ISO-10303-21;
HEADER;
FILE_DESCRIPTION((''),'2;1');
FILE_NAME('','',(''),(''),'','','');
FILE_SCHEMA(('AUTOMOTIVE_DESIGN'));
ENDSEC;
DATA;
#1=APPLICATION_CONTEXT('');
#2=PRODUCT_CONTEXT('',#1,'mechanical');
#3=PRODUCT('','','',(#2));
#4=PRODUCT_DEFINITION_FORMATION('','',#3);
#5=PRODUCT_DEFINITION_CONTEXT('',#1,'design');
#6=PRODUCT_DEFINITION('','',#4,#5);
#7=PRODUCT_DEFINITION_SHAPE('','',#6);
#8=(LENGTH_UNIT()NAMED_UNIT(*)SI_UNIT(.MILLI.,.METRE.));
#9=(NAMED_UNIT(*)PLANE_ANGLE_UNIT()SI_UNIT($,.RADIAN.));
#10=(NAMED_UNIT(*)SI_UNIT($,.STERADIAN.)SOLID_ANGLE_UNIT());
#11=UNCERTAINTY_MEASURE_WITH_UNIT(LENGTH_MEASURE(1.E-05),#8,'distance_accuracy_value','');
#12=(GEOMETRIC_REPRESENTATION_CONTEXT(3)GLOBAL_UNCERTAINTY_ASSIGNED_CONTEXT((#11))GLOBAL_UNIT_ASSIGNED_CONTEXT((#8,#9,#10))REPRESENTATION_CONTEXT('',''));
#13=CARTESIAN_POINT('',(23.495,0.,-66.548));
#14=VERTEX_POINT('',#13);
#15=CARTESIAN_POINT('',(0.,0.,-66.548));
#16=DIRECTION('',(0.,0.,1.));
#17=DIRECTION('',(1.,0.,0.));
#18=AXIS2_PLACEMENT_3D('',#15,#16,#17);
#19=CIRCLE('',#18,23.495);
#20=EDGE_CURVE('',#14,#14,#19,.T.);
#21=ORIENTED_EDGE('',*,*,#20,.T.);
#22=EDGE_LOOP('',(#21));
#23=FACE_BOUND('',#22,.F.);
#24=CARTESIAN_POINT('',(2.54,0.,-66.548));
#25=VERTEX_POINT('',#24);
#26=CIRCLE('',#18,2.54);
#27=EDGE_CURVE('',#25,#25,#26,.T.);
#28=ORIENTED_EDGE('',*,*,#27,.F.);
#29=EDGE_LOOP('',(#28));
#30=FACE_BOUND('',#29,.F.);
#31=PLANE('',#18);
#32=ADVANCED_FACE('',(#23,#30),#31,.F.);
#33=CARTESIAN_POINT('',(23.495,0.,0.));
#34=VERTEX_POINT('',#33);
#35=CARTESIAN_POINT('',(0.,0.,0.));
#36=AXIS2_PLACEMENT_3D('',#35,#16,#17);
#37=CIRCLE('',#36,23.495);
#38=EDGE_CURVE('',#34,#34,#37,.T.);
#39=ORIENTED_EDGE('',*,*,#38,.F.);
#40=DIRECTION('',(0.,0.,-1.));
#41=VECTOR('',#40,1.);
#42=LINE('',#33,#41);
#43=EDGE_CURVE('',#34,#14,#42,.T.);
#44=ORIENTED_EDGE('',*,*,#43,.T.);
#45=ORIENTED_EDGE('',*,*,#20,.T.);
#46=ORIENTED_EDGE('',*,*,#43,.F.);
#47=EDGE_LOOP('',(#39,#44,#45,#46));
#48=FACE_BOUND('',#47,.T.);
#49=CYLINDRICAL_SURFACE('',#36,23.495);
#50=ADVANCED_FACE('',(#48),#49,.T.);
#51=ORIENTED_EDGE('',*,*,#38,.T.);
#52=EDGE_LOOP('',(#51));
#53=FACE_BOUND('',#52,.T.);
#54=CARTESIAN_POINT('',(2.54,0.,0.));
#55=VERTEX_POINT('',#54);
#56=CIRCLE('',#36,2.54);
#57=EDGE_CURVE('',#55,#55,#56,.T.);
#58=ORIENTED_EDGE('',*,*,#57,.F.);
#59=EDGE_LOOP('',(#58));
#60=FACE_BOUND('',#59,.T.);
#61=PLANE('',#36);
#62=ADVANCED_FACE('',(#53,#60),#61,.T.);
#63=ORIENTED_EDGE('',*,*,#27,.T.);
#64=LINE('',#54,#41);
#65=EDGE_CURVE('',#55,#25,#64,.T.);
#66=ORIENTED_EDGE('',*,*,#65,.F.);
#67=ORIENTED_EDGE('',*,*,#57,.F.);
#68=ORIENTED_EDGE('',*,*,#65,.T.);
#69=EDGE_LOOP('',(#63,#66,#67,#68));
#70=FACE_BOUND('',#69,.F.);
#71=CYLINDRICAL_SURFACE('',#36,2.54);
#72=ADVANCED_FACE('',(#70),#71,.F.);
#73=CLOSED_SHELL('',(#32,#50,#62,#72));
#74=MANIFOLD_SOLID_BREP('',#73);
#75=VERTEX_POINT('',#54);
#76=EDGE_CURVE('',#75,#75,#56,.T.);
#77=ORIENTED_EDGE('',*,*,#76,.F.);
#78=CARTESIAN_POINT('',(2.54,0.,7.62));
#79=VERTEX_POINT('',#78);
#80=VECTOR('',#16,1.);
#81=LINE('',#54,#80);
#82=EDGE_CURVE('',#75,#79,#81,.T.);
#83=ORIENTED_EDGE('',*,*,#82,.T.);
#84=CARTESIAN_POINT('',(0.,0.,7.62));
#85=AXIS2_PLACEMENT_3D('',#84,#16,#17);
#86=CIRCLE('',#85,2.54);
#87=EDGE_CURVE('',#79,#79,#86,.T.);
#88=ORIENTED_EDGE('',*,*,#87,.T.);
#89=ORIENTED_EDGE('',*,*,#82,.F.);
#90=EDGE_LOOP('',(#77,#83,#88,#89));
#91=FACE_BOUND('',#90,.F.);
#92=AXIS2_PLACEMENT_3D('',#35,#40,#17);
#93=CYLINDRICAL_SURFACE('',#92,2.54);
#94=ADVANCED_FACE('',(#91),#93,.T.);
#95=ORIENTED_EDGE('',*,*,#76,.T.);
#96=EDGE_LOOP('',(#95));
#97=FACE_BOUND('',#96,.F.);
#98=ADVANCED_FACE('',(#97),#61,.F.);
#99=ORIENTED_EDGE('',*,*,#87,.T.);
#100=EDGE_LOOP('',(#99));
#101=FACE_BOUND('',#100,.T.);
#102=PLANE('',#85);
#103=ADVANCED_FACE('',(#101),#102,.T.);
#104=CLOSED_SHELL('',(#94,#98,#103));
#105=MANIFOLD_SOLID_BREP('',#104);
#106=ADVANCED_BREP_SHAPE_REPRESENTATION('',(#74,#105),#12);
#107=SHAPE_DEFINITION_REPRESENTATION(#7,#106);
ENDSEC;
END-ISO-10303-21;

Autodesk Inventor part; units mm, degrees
ref_plane "YZ Plane" through (0, 0, 0) normal (1, 0, 0) x (0, 1, 0)
ref_plane "XZ Plane" through (0, 0, 0) normal (0, 1, 0) x (-1, 0, 0)
ref_plane "XY Plane" through (0, 0, 0) normal (0, 0, 1) x (1, 0, 0)
sketch "Sketch1" plane through (0, 0, 0) normal (0, 0, 1) x (1, 0, 0)
  circle A0 centre (0, 0) radius 23.495
  circle A1 centre (0, 0) radius 2.54
  dimension "d0" = 46.99
  dimension "d1" = 5.08
extrude "Extrusion1" add sketch "Sketch1" against normal blind 66.548
extrude "Extrusion2" add sketch "Sketch1" along normal blind 7.62 contours A1
properties part number "hack_775_motor"
